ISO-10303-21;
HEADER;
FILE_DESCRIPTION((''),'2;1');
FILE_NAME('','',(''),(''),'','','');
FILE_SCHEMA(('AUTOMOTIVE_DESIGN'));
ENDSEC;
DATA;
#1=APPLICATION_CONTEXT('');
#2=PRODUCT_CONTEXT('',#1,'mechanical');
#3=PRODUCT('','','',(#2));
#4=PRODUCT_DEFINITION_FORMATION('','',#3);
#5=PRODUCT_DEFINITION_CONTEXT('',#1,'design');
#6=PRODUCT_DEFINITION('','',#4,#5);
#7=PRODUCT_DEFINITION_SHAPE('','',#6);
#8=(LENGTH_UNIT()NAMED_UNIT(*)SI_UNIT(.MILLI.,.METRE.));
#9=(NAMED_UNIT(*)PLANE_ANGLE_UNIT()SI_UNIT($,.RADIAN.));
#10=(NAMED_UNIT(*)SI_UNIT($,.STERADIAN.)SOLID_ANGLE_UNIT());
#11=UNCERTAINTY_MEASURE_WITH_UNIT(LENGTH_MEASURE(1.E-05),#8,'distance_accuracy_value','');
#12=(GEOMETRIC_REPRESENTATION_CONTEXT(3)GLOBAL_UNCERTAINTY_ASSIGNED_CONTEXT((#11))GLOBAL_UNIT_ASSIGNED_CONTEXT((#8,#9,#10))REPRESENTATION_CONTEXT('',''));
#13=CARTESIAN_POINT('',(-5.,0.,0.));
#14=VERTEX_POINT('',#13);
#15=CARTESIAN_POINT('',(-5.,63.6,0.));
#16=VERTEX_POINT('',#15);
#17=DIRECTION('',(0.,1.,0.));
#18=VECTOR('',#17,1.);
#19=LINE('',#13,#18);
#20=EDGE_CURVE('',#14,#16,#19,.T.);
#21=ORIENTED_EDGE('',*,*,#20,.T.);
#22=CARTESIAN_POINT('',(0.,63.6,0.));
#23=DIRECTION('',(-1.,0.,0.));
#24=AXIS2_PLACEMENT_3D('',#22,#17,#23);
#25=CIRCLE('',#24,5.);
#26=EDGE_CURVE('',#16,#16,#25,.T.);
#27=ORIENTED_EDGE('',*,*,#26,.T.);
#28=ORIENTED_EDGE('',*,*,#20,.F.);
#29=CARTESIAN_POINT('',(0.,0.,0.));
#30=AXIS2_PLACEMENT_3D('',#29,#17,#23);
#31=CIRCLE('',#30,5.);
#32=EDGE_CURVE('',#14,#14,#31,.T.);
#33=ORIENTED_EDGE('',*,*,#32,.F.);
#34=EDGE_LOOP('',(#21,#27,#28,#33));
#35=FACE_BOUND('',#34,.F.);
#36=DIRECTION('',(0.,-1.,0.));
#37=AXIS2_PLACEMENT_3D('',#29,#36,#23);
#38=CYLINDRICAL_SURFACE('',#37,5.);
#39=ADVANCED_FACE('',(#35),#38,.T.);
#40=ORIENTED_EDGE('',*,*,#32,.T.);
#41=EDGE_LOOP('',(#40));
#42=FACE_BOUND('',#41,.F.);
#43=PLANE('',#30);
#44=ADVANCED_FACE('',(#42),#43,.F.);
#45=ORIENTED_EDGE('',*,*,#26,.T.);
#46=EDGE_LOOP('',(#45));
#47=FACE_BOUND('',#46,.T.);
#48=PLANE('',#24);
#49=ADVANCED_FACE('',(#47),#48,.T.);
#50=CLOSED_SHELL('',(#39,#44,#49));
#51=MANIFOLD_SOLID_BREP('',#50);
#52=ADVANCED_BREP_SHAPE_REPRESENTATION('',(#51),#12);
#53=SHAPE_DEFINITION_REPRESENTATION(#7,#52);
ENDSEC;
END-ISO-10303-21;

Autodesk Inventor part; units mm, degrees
ref_plane "YZ Plane" through (0, 0, 0) normal (1, 0, 0) x (0, 1, 0)
ref_plane "XZ Plane" through (0, 0, 0) normal (0, 1, 0) x (-1, 0, 0)
ref_plane "XY Plane" through (0, 0, 0) normal (0, 0, 1) x (1, 0, 0)
sketch "Sketch1" plane through (0, 0, 0) normal (0, 1, 0) x (-1, 0, 0)
  circle A0 centre (0, 0) radius 5
  dimension "d0" = 10
extrude "Extrusion1" add sketch "Sketch1" along normal blind 63.6
properties part number "Y_Slider_Zahnrad_Stange"
